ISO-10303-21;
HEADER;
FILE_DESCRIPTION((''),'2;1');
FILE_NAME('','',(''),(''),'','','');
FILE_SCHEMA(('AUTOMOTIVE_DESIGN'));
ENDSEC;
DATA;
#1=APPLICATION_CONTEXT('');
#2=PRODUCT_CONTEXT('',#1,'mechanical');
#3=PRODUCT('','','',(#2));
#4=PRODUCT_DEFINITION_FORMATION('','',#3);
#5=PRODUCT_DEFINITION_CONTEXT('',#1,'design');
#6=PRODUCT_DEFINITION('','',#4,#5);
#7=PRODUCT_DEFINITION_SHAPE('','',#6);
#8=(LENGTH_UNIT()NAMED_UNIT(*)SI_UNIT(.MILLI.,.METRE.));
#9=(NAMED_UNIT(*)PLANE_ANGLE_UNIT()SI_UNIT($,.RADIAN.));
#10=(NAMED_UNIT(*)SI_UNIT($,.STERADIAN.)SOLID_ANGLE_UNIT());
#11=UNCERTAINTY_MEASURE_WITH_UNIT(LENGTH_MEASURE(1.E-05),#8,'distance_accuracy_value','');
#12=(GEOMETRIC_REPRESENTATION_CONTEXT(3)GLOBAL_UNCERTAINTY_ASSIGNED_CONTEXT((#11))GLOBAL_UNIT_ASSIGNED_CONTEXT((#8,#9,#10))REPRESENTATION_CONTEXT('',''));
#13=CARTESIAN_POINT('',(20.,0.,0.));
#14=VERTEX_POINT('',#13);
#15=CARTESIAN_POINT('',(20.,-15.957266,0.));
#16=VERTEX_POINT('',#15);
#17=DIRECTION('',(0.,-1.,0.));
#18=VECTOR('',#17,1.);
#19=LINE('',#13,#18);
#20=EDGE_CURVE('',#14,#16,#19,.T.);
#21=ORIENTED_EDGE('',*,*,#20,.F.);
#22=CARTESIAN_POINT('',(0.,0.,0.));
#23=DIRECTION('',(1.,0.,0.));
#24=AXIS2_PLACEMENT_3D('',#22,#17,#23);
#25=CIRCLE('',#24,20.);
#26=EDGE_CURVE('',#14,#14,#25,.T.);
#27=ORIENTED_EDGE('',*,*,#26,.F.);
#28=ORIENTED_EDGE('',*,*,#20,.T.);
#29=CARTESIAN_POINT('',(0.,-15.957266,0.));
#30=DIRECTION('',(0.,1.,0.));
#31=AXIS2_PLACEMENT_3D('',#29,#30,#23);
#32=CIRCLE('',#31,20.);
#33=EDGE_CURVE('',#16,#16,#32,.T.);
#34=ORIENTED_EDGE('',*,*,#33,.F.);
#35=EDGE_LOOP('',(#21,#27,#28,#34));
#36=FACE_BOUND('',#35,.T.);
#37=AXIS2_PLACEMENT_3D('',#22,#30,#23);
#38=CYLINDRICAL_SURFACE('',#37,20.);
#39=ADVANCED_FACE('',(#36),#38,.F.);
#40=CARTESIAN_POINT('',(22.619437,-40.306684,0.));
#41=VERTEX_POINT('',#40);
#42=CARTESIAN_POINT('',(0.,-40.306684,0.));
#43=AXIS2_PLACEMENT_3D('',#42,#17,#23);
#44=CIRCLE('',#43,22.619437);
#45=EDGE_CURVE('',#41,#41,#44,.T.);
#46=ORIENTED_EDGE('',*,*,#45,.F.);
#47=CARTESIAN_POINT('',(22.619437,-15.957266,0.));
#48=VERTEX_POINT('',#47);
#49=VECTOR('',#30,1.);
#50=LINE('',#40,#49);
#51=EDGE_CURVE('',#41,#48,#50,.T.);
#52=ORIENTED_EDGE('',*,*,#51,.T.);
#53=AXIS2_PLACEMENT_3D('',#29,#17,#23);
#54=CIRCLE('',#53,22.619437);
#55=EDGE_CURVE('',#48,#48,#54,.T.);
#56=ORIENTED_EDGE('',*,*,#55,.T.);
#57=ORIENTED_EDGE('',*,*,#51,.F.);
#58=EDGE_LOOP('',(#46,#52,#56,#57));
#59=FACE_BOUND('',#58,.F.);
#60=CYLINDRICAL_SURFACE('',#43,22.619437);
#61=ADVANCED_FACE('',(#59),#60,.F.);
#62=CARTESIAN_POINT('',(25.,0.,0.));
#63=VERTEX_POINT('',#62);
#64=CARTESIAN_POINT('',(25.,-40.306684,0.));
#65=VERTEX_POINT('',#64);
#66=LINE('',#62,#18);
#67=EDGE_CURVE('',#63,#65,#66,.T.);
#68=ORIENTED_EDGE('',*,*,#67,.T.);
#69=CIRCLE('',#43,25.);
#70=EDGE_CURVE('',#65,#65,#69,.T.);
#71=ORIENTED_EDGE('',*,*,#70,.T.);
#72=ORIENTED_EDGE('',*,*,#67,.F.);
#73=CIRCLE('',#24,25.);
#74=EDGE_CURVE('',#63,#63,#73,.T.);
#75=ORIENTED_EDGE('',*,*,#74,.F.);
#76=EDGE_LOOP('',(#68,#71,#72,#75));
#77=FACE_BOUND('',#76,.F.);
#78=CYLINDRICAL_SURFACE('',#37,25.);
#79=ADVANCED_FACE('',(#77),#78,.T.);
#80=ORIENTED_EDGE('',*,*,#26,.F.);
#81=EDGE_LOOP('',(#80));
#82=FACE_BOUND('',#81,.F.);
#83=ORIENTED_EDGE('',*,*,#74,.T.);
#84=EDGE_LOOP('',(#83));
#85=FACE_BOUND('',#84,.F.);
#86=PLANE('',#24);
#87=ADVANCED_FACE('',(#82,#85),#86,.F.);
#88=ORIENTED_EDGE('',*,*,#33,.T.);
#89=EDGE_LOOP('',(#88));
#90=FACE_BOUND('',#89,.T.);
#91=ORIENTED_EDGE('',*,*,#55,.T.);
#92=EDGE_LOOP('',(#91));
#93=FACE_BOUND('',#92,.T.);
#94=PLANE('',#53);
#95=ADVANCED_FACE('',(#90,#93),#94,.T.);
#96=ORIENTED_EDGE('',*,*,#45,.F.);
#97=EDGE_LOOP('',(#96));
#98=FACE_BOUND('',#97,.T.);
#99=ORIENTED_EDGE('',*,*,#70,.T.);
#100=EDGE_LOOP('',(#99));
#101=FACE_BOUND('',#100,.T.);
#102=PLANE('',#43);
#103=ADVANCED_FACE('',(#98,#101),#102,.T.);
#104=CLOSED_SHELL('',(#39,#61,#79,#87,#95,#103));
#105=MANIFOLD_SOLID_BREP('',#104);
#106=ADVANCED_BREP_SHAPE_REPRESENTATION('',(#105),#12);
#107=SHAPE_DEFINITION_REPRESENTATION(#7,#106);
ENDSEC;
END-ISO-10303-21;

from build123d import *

# Parameters (mm, degrees)
F0_R     = 25
F0_R_2   = 20
F1_DEPTH = 40.306684
F2_R     = 22.619437
F3_DEPTH = 24.349418


with BuildPart() as f1:
    # F0 (on Front) → F1 (new body)
    with BuildSketch(Plane.XZ):
        Circle(F0_R)
        Circle(F0_R_2, mode=Mode.SUBTRACT)
    extrude(amount=F1_DEPTH)

    # F2 (on face) → F3 (cut)
    with BuildSketch(Plane.XZ.offset(40.306684)):
        Circle(F2_R)
    extrude(amount=-F3_DEPTH, mode=Mode.SUBTRACT)


solid = f1.part
